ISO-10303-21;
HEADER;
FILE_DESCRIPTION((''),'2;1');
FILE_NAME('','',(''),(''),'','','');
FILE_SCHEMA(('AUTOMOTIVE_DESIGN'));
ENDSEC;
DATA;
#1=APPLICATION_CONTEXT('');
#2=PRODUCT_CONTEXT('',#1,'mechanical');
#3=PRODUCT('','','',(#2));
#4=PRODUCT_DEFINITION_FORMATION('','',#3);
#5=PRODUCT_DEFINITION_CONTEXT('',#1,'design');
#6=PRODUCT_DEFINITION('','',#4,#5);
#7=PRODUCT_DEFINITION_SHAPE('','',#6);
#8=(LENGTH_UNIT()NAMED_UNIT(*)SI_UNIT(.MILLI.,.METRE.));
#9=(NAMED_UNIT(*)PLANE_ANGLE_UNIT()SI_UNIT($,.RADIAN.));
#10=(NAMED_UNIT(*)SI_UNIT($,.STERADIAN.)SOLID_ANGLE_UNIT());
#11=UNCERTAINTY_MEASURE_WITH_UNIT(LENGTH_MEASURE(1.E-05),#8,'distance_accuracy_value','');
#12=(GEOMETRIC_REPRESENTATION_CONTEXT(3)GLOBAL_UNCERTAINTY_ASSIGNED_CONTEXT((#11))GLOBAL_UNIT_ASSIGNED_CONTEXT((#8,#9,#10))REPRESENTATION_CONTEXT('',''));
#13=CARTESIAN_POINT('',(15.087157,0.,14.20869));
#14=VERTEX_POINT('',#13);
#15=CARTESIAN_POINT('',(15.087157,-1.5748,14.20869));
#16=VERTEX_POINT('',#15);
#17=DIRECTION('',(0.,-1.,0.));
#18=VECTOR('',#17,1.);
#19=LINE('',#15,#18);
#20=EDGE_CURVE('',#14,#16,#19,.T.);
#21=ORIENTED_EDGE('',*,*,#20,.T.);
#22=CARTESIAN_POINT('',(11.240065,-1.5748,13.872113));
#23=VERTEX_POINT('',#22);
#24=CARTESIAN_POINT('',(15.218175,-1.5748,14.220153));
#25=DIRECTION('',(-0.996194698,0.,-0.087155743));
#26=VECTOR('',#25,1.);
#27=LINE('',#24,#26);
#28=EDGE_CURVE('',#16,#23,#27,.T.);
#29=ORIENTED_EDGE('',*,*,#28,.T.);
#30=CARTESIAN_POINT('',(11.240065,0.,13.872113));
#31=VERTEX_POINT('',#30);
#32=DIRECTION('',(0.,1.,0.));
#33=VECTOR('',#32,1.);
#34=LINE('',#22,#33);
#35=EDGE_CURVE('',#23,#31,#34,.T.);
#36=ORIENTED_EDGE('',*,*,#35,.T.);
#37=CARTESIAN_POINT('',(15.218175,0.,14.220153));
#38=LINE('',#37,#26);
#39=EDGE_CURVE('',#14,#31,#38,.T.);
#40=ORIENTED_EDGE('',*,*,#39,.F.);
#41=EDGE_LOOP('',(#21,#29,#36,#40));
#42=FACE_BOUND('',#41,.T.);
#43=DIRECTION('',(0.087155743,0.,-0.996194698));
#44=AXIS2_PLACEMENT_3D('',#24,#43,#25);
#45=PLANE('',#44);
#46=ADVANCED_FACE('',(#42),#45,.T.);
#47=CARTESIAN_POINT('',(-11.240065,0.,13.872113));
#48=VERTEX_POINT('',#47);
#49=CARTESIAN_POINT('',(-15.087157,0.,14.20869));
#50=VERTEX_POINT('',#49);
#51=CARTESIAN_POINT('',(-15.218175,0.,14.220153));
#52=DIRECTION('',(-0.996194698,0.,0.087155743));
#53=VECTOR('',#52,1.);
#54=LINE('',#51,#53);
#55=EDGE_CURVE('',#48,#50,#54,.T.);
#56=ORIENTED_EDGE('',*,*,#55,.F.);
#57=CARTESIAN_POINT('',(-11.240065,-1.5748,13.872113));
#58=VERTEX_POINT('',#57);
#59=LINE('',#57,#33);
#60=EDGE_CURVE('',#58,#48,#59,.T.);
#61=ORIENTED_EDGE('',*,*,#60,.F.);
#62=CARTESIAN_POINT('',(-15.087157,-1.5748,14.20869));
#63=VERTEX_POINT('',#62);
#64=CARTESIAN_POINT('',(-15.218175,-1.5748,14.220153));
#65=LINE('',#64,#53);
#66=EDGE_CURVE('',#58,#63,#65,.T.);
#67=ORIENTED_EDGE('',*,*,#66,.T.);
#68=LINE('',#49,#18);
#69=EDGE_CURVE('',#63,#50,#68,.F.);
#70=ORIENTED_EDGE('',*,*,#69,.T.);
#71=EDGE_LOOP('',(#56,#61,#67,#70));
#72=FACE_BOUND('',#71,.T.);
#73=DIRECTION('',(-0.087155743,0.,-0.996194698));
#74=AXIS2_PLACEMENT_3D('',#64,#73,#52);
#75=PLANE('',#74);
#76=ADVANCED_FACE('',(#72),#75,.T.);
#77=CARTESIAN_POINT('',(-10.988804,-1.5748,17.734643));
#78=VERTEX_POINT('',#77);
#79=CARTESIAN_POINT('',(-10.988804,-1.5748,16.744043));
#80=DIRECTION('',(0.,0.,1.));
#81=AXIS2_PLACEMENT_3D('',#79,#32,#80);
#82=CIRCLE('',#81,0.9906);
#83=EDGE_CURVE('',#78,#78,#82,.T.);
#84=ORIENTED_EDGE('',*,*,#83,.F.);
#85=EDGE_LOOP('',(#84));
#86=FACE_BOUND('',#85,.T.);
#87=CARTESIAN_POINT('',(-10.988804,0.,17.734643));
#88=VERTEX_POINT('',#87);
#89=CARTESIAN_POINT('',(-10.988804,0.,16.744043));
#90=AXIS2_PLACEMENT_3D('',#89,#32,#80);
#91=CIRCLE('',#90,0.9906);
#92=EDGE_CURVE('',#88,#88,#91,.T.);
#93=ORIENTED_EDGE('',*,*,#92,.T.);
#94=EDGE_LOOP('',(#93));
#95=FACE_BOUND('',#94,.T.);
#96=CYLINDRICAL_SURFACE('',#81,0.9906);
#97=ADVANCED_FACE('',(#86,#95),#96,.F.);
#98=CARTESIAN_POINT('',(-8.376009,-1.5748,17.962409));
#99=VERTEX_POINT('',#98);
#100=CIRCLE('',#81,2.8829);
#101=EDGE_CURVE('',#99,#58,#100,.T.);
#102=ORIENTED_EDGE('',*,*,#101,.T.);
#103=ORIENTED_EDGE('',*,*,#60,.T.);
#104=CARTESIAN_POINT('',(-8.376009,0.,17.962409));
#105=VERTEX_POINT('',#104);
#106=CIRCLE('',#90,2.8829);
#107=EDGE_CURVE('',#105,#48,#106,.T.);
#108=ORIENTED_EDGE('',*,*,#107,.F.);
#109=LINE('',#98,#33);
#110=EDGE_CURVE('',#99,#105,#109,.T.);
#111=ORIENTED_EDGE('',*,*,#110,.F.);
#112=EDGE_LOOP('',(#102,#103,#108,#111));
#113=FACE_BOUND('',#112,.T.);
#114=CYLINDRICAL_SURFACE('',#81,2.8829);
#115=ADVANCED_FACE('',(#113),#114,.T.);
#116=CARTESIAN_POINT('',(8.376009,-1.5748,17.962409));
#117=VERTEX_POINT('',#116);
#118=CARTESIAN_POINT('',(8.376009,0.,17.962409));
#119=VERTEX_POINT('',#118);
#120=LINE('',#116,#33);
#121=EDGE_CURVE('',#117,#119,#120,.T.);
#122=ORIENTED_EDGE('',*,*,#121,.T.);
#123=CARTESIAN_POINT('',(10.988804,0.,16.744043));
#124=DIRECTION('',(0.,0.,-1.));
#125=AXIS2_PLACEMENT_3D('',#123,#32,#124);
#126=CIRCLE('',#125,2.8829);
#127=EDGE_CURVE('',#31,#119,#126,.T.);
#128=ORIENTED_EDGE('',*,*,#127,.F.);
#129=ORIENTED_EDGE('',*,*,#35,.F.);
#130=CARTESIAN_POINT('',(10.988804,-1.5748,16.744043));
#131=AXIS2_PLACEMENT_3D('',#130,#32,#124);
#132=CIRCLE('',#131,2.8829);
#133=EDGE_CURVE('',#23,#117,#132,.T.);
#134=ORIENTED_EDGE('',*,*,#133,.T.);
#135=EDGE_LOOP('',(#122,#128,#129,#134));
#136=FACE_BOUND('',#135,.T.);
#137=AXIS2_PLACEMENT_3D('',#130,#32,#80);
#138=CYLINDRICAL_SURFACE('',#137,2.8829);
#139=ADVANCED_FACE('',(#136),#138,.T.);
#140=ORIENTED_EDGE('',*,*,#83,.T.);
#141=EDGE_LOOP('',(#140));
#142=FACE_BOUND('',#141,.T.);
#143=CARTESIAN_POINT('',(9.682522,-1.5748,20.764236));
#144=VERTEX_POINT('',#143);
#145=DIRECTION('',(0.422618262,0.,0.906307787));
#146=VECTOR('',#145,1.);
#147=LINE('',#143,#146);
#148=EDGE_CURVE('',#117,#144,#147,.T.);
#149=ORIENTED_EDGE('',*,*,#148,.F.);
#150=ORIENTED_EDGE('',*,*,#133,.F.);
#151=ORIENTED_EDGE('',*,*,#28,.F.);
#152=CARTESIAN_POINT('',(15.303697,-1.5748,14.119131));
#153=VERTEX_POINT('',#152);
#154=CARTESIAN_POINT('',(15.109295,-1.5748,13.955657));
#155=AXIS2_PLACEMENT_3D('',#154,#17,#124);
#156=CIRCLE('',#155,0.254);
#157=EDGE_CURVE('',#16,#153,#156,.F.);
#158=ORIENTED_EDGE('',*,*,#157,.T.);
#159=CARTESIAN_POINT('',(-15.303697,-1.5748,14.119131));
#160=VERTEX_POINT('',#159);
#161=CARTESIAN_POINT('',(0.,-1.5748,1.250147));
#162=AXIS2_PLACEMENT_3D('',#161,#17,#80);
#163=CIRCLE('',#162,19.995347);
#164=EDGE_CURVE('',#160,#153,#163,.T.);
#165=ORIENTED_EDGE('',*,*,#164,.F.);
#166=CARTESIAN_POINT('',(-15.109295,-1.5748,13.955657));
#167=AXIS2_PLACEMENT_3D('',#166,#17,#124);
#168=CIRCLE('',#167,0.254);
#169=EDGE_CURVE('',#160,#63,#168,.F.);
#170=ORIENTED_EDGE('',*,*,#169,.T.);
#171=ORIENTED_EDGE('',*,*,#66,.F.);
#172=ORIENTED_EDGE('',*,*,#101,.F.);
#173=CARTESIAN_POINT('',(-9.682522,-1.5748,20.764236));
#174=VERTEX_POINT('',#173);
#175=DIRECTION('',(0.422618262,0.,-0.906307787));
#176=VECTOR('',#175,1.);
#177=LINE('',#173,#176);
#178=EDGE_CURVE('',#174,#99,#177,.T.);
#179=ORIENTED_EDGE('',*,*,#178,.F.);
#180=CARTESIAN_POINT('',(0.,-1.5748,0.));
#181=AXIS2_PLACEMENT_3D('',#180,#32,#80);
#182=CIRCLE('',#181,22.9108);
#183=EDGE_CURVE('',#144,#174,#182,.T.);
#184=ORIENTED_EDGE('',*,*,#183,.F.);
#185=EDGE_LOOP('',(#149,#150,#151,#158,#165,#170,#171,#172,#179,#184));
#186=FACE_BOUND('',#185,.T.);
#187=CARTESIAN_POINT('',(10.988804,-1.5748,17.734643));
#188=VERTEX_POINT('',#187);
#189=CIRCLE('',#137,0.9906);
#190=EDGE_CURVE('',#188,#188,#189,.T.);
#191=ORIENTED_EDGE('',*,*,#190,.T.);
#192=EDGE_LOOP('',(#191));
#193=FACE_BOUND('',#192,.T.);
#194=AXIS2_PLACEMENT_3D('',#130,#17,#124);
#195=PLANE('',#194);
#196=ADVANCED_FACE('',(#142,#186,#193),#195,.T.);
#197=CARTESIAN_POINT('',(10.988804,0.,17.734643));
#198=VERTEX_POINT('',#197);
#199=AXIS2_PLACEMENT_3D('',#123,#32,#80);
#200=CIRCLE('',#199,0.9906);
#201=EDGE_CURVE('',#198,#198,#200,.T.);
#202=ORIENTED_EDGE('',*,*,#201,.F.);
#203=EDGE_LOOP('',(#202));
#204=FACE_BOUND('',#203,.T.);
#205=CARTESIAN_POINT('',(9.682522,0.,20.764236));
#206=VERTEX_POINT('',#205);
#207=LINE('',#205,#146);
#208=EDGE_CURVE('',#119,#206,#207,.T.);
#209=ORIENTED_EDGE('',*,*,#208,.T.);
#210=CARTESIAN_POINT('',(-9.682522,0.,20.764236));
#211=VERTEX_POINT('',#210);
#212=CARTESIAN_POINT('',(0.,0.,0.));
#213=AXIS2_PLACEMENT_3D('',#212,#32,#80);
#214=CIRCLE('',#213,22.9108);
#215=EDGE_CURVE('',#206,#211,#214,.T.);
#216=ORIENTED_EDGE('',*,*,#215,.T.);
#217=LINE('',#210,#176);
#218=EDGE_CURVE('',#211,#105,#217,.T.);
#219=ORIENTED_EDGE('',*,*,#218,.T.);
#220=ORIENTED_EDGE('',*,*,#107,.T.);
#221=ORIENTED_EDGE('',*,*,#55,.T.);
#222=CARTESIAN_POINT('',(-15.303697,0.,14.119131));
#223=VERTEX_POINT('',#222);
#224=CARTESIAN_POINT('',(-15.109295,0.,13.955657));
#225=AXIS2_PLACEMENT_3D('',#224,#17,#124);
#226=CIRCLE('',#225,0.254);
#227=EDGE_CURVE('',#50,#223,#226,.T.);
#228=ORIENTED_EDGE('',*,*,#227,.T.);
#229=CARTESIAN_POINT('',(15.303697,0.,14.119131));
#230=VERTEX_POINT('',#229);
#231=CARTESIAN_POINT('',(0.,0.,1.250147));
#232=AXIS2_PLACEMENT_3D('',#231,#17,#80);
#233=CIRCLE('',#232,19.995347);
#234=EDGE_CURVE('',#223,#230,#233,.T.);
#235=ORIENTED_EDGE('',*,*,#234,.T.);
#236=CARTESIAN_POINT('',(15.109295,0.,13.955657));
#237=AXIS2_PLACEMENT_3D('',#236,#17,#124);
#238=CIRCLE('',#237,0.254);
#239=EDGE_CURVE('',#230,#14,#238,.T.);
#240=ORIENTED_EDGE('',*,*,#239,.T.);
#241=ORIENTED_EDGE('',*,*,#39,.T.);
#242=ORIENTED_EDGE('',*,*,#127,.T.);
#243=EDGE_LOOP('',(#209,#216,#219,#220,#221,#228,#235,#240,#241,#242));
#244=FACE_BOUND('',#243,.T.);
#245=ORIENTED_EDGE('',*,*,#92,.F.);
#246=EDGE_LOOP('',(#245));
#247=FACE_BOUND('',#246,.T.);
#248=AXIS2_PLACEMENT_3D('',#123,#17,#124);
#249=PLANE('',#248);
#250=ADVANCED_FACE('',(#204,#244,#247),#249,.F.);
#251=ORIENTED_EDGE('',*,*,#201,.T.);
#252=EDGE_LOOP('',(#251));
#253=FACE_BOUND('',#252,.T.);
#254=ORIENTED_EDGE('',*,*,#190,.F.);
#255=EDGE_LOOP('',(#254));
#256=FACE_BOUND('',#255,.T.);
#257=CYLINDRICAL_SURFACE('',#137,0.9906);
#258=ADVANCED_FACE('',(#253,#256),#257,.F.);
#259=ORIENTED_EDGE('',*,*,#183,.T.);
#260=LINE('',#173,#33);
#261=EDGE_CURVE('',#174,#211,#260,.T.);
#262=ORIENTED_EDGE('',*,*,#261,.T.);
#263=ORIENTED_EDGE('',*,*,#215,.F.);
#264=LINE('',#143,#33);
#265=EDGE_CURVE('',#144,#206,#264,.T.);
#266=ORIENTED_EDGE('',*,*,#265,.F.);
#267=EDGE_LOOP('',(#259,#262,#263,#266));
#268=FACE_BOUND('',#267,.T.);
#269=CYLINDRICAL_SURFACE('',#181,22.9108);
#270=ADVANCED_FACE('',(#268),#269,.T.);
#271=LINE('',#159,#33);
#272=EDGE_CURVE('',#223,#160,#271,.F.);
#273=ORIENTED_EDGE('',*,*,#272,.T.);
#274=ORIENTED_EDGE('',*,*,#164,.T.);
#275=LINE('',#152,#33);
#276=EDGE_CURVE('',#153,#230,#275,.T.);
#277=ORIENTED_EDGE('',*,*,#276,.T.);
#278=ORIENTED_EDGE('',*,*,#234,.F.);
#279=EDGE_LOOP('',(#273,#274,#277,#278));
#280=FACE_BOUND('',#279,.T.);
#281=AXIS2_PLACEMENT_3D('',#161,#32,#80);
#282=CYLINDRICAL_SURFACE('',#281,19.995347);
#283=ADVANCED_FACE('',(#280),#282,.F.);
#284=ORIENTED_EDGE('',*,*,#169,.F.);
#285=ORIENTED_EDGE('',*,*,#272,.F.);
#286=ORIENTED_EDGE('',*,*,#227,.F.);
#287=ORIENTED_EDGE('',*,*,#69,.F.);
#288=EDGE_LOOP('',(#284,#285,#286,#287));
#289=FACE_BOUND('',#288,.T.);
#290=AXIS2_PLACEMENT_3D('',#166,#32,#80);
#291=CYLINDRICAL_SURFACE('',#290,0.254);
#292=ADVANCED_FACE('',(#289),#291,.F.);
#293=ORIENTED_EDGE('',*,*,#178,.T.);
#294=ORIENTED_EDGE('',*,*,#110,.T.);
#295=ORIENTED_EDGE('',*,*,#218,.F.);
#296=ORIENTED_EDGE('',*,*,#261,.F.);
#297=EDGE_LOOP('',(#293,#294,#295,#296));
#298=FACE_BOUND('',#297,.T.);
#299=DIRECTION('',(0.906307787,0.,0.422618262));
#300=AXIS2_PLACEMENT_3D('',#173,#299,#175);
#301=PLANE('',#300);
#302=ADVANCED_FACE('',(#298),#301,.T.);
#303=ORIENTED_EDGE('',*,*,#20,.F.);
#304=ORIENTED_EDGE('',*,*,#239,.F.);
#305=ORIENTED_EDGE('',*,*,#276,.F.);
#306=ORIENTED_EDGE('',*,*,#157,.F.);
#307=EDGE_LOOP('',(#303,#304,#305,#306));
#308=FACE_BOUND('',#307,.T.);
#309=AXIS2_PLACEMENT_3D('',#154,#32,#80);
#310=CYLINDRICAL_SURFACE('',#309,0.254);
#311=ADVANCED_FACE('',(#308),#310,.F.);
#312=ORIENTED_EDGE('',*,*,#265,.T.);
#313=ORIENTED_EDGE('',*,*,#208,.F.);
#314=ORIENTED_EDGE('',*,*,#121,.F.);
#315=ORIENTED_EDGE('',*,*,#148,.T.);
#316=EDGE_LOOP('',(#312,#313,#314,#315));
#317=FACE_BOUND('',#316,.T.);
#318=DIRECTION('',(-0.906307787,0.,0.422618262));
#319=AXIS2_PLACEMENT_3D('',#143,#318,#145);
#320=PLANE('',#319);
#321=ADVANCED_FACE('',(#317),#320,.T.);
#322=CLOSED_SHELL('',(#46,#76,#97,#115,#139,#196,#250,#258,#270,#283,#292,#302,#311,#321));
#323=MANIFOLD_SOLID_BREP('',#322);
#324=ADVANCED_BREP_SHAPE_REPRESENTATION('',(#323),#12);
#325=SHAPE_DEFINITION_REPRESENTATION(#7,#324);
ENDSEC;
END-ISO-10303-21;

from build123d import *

# Parameters (mm, degrees)
SKETCH2_R      = 0.9906
EXTRUDE1_DEPTH = 1.5748
FILLET1_R      = 0.254


with BuildPart() as part:
    # Sketch2 → Extrude1 (new body)
    with BuildSketch(Plane(origin=(0, 0, 0), x_dir=(1, 0, 0), z_dir=(0, 1, 0))):
        with BuildLine():
            Line((9.682522471, -20.764236447), (8.376008921, -17.962409097))
            ThreePointArc((8.376008921, -17.962409097), (8.627270212, -15.090479402), (11.240064931, -13.872113215))
            Line((11.240064931, -13.872113215), (15.218174681, -14.22015272))
            ThreePointArc((15.218174681, -14.22015272), (0, 18.7452), (-15.218174681, -14.22015272))
            Line((-15.218174681, -14.22015272), (-11.240064931, -13.872113215))
            ThreePointArc((-11.240064931, -13.872113215), (-8.627270212, -15.090479402), (-8.376008921, -17.962409097))
            Line((-8.376008921, -17.962409097), (-9.682522471, -20.764236447))
            ThreePointArc((-9.682522471, -20.764236447), (0, 22.9108), (9.682522471, -20.764236447))
        make_face()
        with Locations((10.98880364, -16.74404291)):
            Circle(SKETCH2_R, mode=Mode.SUBTRACT)
        with Locations((-10.98880364, -16.74404291)):
            Circle(SKETCH2_R, mode=Mode.SUBTRACT)
    extrude(amount=-EXTRUDE1_DEPTH)

    # Fillet1
    fillet1_edges = [part.edges().sort_by_distance(p)[0] for p in [
        (15.218174681, -0.7874, 14.22015272),
        (-15.218174681, -0.7874, 14.22015272),
    ]]
    fillet(fillet1_edges, radius=FILLET1_R)


solid = part.part
